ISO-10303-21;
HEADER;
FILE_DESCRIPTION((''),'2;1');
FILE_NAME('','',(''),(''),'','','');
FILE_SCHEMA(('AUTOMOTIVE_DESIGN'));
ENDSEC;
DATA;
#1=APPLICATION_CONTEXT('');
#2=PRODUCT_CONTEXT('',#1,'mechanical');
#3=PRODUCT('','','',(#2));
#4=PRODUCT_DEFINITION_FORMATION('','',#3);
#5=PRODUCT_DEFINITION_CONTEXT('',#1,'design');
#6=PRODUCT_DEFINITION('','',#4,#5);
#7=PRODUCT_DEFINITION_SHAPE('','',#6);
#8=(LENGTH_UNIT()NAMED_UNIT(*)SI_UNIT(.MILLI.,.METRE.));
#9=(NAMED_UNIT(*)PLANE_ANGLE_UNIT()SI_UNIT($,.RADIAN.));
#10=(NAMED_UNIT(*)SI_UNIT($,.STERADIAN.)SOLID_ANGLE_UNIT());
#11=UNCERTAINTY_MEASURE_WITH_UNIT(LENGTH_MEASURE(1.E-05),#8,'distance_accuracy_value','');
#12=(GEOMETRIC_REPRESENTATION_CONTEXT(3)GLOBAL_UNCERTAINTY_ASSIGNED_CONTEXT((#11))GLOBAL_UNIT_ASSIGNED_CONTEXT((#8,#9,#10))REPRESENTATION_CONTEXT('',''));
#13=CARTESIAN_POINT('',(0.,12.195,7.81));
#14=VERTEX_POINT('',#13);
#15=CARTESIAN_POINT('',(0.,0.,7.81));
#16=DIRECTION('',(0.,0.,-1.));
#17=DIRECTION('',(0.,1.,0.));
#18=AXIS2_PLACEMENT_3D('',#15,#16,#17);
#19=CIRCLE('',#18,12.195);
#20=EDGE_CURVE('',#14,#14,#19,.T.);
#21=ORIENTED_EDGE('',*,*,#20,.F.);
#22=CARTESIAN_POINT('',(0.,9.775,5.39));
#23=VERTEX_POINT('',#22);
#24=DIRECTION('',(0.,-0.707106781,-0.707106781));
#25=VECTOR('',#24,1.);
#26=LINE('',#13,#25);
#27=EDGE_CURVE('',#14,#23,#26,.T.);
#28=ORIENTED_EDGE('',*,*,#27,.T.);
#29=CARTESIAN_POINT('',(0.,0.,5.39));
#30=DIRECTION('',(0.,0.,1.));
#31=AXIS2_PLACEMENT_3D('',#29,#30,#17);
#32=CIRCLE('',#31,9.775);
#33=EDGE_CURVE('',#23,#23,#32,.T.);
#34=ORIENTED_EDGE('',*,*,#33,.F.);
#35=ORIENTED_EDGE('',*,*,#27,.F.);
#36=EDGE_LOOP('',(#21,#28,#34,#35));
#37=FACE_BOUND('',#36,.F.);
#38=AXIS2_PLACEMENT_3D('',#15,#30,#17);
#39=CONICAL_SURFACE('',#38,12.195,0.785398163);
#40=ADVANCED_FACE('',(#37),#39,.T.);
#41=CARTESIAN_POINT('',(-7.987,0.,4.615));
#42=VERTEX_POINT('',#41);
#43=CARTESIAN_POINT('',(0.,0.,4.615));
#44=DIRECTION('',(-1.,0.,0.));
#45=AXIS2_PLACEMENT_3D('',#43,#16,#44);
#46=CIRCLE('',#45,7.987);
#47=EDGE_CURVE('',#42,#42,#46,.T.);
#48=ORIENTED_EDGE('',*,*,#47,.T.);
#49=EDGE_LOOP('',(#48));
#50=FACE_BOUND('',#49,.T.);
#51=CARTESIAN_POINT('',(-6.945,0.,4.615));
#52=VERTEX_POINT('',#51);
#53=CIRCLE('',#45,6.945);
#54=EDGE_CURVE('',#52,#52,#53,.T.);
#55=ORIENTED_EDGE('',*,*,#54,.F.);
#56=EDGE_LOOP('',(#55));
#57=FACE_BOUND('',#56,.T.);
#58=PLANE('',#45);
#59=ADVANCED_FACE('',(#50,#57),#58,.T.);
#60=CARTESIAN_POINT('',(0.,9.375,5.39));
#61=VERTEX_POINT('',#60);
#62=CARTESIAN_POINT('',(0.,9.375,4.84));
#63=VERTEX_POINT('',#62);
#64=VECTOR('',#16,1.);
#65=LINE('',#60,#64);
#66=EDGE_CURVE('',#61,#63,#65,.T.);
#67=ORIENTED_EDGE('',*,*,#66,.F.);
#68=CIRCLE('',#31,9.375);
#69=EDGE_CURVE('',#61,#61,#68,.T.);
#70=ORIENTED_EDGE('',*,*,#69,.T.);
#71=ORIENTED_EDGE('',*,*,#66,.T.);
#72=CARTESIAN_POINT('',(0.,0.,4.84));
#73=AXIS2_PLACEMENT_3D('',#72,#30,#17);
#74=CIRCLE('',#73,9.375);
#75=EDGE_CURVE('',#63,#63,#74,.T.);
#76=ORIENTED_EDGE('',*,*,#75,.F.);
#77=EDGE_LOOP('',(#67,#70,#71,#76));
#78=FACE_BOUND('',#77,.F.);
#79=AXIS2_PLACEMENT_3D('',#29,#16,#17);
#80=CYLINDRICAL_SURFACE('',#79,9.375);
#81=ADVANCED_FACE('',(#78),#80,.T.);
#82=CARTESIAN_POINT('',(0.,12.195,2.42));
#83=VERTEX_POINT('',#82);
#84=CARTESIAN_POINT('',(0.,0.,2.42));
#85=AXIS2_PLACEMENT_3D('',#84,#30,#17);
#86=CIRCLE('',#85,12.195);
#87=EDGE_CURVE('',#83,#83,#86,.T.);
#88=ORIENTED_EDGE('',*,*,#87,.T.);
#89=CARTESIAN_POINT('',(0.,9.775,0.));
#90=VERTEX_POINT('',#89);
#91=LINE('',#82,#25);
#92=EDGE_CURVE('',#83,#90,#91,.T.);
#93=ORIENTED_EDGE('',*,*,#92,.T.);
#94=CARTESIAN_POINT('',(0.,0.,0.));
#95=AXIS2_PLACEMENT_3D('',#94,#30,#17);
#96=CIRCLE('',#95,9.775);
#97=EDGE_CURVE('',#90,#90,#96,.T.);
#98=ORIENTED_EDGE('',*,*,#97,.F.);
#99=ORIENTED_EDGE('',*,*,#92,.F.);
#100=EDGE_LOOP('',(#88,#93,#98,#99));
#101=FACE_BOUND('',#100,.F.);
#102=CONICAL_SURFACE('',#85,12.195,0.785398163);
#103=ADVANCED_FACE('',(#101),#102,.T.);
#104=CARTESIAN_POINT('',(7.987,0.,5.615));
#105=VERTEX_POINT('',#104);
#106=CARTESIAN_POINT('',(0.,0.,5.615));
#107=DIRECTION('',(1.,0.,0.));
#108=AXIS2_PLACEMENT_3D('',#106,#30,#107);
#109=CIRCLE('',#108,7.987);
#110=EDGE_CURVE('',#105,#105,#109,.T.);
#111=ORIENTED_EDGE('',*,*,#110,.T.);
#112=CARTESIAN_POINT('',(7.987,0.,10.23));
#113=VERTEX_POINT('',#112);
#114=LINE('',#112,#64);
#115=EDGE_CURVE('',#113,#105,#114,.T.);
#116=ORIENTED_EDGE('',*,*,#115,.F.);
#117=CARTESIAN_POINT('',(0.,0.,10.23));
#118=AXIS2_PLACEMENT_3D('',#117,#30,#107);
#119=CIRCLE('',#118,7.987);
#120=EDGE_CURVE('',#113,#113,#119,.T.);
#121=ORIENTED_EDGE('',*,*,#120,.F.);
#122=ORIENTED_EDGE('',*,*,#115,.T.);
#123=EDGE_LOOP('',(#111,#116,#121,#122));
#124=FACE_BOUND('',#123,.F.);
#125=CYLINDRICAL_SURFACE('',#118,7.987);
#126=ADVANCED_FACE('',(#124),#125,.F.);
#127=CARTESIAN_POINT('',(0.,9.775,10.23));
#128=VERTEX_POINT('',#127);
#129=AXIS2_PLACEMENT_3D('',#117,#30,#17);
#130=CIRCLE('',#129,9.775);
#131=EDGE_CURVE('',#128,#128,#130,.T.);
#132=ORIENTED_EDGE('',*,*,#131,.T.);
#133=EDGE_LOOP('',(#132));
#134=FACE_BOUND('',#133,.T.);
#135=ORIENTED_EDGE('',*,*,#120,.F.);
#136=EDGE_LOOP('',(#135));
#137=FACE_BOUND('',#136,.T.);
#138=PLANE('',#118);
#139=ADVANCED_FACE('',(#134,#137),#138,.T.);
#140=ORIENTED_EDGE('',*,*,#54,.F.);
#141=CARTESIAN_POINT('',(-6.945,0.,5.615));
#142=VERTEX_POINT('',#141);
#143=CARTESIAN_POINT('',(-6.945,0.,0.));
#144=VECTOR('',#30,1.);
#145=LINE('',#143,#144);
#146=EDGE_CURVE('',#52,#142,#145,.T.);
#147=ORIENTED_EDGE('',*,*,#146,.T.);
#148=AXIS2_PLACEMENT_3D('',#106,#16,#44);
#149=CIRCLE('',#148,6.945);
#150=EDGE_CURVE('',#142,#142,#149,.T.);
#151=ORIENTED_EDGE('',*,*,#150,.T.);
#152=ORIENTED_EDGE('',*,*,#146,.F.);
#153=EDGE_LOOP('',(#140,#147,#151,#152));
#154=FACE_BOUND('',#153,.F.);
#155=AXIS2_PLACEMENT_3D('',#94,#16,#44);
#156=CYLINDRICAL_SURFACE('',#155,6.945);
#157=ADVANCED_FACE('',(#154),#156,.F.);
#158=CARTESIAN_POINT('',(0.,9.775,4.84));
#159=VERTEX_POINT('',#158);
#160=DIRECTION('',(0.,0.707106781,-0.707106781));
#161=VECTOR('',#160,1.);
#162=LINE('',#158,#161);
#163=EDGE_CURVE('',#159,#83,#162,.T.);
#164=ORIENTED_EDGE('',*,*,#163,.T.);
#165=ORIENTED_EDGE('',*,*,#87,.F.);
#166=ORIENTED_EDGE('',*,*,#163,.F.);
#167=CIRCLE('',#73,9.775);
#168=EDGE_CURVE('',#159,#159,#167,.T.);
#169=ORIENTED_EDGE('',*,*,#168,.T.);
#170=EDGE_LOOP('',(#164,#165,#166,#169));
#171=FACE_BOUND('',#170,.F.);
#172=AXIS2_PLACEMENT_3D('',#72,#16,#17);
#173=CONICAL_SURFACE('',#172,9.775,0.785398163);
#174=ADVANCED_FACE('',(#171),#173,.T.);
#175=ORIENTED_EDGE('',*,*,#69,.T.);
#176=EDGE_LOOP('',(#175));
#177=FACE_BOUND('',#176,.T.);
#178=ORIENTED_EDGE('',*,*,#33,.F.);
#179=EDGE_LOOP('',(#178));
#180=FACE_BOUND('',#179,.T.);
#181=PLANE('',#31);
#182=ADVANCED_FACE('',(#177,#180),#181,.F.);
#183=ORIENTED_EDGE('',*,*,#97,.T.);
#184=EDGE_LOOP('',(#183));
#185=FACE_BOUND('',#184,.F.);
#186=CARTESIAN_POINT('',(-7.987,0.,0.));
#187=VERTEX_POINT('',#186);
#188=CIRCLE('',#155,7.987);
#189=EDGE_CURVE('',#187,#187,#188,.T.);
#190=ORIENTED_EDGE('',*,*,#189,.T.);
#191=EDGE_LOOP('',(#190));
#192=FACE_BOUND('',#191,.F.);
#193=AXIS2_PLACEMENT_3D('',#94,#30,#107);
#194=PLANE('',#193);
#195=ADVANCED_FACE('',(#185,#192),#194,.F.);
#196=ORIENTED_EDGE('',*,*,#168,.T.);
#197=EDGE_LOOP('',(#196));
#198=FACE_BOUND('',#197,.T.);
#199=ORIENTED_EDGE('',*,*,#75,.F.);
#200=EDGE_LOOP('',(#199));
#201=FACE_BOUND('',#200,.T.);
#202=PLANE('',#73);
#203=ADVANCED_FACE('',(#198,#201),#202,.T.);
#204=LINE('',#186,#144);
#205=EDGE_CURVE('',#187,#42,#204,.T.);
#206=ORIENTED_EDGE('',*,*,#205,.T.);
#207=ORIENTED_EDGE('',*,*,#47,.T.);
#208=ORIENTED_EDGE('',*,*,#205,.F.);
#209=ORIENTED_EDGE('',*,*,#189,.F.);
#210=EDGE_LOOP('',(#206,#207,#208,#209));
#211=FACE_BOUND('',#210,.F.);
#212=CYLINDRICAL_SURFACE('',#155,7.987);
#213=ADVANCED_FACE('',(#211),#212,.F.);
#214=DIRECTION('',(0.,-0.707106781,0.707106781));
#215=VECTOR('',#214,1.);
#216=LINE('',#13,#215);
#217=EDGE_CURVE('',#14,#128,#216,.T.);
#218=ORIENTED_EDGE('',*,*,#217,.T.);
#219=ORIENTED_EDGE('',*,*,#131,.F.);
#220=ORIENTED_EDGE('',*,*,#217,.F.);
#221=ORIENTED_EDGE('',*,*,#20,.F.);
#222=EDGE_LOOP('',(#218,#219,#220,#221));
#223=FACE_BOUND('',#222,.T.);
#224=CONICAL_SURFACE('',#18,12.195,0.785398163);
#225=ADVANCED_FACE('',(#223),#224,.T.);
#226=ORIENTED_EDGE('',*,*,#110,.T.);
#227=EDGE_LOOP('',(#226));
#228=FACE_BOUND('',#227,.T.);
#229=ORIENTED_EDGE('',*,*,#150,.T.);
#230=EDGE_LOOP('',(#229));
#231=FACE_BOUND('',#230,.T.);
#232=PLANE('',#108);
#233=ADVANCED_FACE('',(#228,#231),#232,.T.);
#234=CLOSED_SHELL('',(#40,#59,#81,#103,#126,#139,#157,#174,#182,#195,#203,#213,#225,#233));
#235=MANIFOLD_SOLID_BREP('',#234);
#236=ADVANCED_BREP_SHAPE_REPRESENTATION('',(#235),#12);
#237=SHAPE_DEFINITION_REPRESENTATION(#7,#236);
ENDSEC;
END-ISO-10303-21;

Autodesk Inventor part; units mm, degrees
ref_plane "YZ Plane" through (0, 0, 0) normal (1, 0, 0) x (0, 1, 0)
ref_plane "XZ Plane" through (0, 0, 0) normal (0, 1, 0) x (-1, 0, 0)
ref_plane "XY Plane" through (0, 0, 0) normal (0, 0, 1) x (1, 0, 0)
sketch "Sketch1" plane through (0, 0, 0) normal (0, 0, 1) x (1, 0, 0)
  circle A0 centre (0, 0) radius 12.195
  dimension "d0" = 24.39
extrude "Extrusion1" add sketch "Sketch1" along normal blind 10.23
sketch "Sketch2" plane through (0, 0, 0) normal (1, 0, 0) x (0, 1, 0)
  line L0 (-12.195, 0) -> (-12.195, 10.23) projected
  line L1 (9.375, 5.115) -> (9.375, 5.39)
  line L2 (9.375, 5.39) -> (9.375, 4.84)
  line L3 (9.375, 4.84) -> (9.375, 5.39)
  line L4 (12.195, 7.81) -> (9.775, 5.39)
  line L5 (12.195, 7.81) -> (15.6174, 7.81) construction
  line L6 (12.195, 7.81) -> (9.775, 10.23)
  line L7 (9.775, 4.84) -> (12.195, 2.42)
  line L8 (12.195, 2.42) -> (9.775, 0)
  line L9 (9.775, 4.84) -> (9.375, 4.84)
  line L10 (9.375, 5.39) -> (9.775, 5.39)
  line L11 (12.195, 7.81) -> (9.775, 10.23)
  line L12 (9.775, 10.23) -> (13.6006, 10.23)
  line L13 (13.6006, 10.23) -> (13.6006, 0)
  line L14 (13.6006, 0) -> (9.775, 0)
  line L15 (-12.195, 0) -> (12.195, 0) projected
  line L16 (0, -2.046) -> (0, 12.276) projected
  point P0 (0, 0)
  dimension "d4" = 0.275
  dimension "d5" = 0.55
  dimension "d6" = 135
revolve "Revolution1" cut sketch "Sketch2" angle 360 about axis through (0, 0, -10) along (0, 0, 1)
sketch "Sketch3" plane through (0, 0, 0) normal (0, 0, -1) x (-1, 0, 0)
  circle A0 centre (0, 0) radius 9.775 projected
  circle A1 centre (0, 0) radius 6.945
  dimension "d8" = 13.89
extrude "Extrusion2" cut sketch "Sketch3" against normal blind 30 contours A1
sketch "Sketch4" plane through (0, 0, 0) normal (0, 0, -1) x (-1, 0, 0)
  circle A0 centre (0, 0) radius 7.987
  dimension "d11" = 15.974
extrude "Extrusion3" cut sketch "Sketch4" against normal blind 4.615
sketch "Sketch5" plane through (0, 0, 10.23) normal (0, 0, 1) x (1, 0, 0)
  circle A0 centre (0, 0) radius 7.987
  dimension "d14" = 15.974
extrude "Extrusion4" cut sketch "Sketch5" against normal blind 4.615
properties part number "dELRIN"
